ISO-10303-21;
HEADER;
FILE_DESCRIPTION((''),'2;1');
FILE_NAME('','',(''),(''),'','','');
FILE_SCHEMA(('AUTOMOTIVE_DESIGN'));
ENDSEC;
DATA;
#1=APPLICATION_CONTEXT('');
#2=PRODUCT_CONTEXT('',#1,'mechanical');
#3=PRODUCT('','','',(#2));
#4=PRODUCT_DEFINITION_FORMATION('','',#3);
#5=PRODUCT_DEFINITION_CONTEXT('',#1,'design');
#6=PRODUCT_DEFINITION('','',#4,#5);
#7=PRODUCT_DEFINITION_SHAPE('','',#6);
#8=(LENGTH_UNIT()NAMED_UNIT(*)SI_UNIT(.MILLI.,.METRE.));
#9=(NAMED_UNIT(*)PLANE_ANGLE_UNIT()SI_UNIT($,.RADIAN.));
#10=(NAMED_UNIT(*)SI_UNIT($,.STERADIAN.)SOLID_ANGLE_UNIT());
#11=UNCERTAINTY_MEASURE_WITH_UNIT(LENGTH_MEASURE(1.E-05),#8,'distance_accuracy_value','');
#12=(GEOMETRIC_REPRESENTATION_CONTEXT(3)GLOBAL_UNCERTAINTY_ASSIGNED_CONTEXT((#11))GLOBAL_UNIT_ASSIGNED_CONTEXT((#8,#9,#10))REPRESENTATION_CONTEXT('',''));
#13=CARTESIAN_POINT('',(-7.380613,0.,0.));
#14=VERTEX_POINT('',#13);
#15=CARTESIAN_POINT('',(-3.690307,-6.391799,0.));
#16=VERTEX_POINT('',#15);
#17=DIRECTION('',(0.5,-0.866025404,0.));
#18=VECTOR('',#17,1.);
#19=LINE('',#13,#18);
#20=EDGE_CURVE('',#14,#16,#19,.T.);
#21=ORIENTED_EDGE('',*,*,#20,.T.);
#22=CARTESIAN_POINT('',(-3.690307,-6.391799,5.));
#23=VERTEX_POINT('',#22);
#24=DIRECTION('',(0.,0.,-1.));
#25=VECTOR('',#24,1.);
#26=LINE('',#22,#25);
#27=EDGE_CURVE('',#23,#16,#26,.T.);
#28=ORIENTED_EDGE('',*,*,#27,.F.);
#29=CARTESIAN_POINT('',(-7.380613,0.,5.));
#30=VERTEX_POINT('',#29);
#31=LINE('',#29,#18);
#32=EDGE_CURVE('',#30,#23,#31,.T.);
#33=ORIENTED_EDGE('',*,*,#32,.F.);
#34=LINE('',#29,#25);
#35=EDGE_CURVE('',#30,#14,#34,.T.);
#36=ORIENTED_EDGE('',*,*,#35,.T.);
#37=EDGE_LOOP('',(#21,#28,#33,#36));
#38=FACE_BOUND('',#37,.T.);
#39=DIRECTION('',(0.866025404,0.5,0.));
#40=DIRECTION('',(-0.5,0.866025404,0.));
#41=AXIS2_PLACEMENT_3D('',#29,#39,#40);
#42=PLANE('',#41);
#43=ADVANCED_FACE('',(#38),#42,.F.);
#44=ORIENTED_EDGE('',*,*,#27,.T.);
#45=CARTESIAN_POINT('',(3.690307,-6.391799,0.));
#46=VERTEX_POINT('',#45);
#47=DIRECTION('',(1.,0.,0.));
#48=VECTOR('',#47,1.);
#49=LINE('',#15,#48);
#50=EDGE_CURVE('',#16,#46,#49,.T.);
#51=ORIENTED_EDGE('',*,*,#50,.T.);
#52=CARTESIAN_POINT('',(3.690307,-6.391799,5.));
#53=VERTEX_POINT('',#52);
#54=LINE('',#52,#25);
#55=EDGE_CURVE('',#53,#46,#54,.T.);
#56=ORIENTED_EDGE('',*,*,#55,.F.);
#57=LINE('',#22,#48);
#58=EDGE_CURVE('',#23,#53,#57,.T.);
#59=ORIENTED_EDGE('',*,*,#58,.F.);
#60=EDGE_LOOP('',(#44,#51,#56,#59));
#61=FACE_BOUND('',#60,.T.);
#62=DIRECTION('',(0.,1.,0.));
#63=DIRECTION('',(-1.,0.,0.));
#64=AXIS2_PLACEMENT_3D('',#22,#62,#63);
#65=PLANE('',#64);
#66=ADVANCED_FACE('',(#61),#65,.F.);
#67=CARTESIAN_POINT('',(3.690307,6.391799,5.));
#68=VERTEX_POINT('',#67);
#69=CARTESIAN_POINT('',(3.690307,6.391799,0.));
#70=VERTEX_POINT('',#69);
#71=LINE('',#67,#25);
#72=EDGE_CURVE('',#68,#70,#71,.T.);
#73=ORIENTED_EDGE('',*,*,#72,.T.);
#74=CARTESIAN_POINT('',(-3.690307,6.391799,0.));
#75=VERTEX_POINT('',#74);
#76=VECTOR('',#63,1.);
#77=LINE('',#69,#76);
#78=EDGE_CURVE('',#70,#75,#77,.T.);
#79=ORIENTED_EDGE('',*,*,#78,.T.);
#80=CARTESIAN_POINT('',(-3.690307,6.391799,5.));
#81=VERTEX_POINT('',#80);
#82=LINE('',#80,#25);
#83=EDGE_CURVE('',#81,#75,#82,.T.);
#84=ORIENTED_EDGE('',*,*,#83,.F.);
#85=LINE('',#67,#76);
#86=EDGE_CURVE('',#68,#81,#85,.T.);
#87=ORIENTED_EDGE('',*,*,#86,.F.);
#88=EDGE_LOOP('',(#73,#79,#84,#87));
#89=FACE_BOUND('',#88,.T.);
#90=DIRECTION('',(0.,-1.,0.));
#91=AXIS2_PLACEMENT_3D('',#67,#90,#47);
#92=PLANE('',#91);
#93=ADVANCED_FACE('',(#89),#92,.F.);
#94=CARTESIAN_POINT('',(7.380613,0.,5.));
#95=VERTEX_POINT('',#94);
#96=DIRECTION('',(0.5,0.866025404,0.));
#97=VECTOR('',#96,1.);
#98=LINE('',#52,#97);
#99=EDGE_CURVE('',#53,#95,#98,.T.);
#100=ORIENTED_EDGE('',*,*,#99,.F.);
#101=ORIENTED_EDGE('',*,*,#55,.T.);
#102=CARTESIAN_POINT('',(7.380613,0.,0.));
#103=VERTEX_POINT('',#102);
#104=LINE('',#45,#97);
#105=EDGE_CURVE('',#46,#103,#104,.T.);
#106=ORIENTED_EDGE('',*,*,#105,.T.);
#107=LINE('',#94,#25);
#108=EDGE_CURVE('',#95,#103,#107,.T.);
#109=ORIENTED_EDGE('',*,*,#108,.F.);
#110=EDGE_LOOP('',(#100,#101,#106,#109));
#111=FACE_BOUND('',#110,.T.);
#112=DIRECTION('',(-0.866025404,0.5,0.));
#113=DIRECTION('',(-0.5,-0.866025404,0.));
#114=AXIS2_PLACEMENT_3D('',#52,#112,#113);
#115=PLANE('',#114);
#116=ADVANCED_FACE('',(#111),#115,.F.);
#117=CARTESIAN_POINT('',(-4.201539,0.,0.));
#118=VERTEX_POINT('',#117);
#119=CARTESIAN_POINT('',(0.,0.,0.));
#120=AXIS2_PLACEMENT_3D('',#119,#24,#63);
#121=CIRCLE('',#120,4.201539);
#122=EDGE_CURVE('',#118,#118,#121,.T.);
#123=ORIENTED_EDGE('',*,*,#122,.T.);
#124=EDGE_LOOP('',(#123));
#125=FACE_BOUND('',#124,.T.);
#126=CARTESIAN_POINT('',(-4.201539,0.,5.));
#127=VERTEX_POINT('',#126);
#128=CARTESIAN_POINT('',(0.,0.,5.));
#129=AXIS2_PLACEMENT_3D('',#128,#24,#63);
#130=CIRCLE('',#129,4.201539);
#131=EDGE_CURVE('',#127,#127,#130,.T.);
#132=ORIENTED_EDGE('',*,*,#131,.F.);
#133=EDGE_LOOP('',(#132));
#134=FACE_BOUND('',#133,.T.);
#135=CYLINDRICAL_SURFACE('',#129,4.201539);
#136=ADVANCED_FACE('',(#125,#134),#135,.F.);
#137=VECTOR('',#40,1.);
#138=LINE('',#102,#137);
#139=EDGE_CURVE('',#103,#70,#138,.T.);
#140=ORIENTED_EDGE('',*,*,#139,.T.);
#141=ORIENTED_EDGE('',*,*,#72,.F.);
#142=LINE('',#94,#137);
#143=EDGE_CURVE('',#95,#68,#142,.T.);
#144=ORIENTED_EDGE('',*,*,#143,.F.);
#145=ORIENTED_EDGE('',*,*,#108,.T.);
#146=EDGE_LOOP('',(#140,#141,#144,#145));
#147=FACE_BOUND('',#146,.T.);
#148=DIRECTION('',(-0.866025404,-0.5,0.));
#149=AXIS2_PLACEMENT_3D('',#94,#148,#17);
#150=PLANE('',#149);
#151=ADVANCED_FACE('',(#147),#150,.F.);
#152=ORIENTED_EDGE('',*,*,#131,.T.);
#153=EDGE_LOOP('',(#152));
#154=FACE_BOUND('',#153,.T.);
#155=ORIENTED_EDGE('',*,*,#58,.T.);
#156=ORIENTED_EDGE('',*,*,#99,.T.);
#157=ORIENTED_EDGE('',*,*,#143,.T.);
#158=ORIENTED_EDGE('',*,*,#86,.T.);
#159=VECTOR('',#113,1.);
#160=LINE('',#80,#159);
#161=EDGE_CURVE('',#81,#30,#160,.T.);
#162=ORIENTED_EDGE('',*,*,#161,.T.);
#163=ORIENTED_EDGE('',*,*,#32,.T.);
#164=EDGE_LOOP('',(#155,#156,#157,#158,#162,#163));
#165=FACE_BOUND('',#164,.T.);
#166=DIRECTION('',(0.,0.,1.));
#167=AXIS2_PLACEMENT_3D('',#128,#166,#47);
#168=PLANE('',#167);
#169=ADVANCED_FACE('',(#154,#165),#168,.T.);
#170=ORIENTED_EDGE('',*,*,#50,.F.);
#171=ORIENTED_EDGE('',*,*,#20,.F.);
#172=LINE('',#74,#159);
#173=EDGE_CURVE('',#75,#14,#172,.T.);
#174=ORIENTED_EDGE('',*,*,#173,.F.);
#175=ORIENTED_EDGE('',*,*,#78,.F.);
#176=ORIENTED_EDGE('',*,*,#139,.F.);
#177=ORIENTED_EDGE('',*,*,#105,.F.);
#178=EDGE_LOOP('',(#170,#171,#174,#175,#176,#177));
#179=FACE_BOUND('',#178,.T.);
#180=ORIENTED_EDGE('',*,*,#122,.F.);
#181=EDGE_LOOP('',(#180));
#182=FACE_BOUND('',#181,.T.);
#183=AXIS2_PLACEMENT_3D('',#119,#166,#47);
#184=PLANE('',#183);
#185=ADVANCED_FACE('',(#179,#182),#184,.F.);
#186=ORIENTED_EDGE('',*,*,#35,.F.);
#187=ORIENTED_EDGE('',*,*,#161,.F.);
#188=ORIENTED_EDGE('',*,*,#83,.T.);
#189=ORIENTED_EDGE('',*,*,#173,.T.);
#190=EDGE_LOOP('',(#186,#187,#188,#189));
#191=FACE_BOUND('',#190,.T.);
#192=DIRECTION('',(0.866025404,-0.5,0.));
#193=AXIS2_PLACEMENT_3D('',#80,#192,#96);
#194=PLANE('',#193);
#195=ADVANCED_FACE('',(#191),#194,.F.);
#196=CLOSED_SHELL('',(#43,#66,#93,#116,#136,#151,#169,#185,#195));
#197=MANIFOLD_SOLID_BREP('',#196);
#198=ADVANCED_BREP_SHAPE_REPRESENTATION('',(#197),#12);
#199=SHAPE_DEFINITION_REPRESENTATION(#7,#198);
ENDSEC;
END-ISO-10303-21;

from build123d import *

# Parameters (mm, degrees)
BOSS_EXTRU_1_DEPTH      = 5
ESQUISSE2_R             = 4.201538882
ENL_V_MAT_EXTRU_1_DEPTH = 11.969436785


with BuildPart() as part:
    # Esquisse1 → Boss.-Extru.1 (new body)
    with BuildSketch(Plane.XY):
        Polygon((7.380613346, 0), (3.690306673, 6.391798653), (-3.690306673, 6.391798653), (-7.380613346, 0), (-3.690306673, -6.391798653), (3.690306673, -6.391798653), align=None)
    extrude(amount=BOSS_EXTRU_1_DEPTH)

    # Esquisse2 → Enlèv. mat.-Extru.1 (cut, through all)
    with BuildSketch(Plane(origin=(0, 0, 0), x_dir=(-1, 0, 0), z_dir=(0, 0, -1))):
        Circle(ESQUISSE2_R)
    extrude(amount=-ENL_V_MAT_EXTRU_1_DEPTH, mode=Mode.SUBTRACT)


solid = part.part
